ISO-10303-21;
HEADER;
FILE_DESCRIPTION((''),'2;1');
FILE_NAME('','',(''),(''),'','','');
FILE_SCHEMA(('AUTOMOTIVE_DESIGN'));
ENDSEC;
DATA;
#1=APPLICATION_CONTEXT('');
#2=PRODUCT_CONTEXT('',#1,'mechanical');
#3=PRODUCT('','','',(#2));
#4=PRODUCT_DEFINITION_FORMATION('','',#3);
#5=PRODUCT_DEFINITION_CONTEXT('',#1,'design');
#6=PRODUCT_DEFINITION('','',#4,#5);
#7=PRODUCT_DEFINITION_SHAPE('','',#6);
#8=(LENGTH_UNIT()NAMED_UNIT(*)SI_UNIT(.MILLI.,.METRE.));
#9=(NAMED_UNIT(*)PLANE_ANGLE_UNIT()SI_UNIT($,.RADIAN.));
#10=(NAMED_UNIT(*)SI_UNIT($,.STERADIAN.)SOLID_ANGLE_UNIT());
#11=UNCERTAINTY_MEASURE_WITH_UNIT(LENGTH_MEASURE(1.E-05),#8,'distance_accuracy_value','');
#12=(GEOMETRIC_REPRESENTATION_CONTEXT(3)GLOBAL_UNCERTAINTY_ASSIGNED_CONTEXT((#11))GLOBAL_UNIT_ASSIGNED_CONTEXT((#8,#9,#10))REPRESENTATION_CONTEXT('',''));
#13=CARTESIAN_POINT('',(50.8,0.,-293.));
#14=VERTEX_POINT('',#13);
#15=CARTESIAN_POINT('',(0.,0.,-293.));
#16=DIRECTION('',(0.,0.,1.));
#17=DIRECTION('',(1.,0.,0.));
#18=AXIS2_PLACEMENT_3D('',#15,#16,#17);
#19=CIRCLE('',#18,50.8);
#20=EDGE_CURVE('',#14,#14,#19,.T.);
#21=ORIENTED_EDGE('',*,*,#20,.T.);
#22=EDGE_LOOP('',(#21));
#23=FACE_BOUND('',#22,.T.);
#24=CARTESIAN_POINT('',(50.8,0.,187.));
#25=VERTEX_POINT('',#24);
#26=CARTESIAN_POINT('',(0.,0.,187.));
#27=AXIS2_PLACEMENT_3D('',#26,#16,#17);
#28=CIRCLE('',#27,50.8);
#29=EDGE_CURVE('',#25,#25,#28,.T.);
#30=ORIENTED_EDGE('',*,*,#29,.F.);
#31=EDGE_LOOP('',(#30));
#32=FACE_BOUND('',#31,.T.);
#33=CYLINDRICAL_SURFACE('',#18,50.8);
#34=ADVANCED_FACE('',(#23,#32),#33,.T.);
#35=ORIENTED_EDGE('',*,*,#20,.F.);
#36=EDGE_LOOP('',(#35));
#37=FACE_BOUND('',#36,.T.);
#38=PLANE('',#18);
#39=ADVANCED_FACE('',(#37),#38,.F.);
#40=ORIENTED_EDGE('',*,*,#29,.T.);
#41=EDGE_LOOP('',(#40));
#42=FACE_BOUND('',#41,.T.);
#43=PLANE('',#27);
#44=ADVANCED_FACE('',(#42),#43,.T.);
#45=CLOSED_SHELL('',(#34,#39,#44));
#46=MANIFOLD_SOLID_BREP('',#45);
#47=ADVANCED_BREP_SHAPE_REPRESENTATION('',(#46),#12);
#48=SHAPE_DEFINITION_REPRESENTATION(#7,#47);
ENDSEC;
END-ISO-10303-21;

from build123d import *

# Parameters (mm, degrees)
BOSS_EXTRUDE1_DEPTH      = 187
BOSS_EXTRUDE1_DEPTH_BACK = 293
SKETCH1_R                = 50.8


with BuildPart() as part:
    # Sketch1 → Boss-Extrude1 (new, two sides: drawn at the far end of the back side and taken through both)
    with BuildSketch(Plane.XY.offset(-BOSS_EXTRUDE1_DEPTH_BACK)):
        Circle(SKETCH1_R)
    extrude(amount=BOSS_EXTRUDE1_DEPTH + BOSS_EXTRUDE1_DEPTH_BACK)


solid = part.part
